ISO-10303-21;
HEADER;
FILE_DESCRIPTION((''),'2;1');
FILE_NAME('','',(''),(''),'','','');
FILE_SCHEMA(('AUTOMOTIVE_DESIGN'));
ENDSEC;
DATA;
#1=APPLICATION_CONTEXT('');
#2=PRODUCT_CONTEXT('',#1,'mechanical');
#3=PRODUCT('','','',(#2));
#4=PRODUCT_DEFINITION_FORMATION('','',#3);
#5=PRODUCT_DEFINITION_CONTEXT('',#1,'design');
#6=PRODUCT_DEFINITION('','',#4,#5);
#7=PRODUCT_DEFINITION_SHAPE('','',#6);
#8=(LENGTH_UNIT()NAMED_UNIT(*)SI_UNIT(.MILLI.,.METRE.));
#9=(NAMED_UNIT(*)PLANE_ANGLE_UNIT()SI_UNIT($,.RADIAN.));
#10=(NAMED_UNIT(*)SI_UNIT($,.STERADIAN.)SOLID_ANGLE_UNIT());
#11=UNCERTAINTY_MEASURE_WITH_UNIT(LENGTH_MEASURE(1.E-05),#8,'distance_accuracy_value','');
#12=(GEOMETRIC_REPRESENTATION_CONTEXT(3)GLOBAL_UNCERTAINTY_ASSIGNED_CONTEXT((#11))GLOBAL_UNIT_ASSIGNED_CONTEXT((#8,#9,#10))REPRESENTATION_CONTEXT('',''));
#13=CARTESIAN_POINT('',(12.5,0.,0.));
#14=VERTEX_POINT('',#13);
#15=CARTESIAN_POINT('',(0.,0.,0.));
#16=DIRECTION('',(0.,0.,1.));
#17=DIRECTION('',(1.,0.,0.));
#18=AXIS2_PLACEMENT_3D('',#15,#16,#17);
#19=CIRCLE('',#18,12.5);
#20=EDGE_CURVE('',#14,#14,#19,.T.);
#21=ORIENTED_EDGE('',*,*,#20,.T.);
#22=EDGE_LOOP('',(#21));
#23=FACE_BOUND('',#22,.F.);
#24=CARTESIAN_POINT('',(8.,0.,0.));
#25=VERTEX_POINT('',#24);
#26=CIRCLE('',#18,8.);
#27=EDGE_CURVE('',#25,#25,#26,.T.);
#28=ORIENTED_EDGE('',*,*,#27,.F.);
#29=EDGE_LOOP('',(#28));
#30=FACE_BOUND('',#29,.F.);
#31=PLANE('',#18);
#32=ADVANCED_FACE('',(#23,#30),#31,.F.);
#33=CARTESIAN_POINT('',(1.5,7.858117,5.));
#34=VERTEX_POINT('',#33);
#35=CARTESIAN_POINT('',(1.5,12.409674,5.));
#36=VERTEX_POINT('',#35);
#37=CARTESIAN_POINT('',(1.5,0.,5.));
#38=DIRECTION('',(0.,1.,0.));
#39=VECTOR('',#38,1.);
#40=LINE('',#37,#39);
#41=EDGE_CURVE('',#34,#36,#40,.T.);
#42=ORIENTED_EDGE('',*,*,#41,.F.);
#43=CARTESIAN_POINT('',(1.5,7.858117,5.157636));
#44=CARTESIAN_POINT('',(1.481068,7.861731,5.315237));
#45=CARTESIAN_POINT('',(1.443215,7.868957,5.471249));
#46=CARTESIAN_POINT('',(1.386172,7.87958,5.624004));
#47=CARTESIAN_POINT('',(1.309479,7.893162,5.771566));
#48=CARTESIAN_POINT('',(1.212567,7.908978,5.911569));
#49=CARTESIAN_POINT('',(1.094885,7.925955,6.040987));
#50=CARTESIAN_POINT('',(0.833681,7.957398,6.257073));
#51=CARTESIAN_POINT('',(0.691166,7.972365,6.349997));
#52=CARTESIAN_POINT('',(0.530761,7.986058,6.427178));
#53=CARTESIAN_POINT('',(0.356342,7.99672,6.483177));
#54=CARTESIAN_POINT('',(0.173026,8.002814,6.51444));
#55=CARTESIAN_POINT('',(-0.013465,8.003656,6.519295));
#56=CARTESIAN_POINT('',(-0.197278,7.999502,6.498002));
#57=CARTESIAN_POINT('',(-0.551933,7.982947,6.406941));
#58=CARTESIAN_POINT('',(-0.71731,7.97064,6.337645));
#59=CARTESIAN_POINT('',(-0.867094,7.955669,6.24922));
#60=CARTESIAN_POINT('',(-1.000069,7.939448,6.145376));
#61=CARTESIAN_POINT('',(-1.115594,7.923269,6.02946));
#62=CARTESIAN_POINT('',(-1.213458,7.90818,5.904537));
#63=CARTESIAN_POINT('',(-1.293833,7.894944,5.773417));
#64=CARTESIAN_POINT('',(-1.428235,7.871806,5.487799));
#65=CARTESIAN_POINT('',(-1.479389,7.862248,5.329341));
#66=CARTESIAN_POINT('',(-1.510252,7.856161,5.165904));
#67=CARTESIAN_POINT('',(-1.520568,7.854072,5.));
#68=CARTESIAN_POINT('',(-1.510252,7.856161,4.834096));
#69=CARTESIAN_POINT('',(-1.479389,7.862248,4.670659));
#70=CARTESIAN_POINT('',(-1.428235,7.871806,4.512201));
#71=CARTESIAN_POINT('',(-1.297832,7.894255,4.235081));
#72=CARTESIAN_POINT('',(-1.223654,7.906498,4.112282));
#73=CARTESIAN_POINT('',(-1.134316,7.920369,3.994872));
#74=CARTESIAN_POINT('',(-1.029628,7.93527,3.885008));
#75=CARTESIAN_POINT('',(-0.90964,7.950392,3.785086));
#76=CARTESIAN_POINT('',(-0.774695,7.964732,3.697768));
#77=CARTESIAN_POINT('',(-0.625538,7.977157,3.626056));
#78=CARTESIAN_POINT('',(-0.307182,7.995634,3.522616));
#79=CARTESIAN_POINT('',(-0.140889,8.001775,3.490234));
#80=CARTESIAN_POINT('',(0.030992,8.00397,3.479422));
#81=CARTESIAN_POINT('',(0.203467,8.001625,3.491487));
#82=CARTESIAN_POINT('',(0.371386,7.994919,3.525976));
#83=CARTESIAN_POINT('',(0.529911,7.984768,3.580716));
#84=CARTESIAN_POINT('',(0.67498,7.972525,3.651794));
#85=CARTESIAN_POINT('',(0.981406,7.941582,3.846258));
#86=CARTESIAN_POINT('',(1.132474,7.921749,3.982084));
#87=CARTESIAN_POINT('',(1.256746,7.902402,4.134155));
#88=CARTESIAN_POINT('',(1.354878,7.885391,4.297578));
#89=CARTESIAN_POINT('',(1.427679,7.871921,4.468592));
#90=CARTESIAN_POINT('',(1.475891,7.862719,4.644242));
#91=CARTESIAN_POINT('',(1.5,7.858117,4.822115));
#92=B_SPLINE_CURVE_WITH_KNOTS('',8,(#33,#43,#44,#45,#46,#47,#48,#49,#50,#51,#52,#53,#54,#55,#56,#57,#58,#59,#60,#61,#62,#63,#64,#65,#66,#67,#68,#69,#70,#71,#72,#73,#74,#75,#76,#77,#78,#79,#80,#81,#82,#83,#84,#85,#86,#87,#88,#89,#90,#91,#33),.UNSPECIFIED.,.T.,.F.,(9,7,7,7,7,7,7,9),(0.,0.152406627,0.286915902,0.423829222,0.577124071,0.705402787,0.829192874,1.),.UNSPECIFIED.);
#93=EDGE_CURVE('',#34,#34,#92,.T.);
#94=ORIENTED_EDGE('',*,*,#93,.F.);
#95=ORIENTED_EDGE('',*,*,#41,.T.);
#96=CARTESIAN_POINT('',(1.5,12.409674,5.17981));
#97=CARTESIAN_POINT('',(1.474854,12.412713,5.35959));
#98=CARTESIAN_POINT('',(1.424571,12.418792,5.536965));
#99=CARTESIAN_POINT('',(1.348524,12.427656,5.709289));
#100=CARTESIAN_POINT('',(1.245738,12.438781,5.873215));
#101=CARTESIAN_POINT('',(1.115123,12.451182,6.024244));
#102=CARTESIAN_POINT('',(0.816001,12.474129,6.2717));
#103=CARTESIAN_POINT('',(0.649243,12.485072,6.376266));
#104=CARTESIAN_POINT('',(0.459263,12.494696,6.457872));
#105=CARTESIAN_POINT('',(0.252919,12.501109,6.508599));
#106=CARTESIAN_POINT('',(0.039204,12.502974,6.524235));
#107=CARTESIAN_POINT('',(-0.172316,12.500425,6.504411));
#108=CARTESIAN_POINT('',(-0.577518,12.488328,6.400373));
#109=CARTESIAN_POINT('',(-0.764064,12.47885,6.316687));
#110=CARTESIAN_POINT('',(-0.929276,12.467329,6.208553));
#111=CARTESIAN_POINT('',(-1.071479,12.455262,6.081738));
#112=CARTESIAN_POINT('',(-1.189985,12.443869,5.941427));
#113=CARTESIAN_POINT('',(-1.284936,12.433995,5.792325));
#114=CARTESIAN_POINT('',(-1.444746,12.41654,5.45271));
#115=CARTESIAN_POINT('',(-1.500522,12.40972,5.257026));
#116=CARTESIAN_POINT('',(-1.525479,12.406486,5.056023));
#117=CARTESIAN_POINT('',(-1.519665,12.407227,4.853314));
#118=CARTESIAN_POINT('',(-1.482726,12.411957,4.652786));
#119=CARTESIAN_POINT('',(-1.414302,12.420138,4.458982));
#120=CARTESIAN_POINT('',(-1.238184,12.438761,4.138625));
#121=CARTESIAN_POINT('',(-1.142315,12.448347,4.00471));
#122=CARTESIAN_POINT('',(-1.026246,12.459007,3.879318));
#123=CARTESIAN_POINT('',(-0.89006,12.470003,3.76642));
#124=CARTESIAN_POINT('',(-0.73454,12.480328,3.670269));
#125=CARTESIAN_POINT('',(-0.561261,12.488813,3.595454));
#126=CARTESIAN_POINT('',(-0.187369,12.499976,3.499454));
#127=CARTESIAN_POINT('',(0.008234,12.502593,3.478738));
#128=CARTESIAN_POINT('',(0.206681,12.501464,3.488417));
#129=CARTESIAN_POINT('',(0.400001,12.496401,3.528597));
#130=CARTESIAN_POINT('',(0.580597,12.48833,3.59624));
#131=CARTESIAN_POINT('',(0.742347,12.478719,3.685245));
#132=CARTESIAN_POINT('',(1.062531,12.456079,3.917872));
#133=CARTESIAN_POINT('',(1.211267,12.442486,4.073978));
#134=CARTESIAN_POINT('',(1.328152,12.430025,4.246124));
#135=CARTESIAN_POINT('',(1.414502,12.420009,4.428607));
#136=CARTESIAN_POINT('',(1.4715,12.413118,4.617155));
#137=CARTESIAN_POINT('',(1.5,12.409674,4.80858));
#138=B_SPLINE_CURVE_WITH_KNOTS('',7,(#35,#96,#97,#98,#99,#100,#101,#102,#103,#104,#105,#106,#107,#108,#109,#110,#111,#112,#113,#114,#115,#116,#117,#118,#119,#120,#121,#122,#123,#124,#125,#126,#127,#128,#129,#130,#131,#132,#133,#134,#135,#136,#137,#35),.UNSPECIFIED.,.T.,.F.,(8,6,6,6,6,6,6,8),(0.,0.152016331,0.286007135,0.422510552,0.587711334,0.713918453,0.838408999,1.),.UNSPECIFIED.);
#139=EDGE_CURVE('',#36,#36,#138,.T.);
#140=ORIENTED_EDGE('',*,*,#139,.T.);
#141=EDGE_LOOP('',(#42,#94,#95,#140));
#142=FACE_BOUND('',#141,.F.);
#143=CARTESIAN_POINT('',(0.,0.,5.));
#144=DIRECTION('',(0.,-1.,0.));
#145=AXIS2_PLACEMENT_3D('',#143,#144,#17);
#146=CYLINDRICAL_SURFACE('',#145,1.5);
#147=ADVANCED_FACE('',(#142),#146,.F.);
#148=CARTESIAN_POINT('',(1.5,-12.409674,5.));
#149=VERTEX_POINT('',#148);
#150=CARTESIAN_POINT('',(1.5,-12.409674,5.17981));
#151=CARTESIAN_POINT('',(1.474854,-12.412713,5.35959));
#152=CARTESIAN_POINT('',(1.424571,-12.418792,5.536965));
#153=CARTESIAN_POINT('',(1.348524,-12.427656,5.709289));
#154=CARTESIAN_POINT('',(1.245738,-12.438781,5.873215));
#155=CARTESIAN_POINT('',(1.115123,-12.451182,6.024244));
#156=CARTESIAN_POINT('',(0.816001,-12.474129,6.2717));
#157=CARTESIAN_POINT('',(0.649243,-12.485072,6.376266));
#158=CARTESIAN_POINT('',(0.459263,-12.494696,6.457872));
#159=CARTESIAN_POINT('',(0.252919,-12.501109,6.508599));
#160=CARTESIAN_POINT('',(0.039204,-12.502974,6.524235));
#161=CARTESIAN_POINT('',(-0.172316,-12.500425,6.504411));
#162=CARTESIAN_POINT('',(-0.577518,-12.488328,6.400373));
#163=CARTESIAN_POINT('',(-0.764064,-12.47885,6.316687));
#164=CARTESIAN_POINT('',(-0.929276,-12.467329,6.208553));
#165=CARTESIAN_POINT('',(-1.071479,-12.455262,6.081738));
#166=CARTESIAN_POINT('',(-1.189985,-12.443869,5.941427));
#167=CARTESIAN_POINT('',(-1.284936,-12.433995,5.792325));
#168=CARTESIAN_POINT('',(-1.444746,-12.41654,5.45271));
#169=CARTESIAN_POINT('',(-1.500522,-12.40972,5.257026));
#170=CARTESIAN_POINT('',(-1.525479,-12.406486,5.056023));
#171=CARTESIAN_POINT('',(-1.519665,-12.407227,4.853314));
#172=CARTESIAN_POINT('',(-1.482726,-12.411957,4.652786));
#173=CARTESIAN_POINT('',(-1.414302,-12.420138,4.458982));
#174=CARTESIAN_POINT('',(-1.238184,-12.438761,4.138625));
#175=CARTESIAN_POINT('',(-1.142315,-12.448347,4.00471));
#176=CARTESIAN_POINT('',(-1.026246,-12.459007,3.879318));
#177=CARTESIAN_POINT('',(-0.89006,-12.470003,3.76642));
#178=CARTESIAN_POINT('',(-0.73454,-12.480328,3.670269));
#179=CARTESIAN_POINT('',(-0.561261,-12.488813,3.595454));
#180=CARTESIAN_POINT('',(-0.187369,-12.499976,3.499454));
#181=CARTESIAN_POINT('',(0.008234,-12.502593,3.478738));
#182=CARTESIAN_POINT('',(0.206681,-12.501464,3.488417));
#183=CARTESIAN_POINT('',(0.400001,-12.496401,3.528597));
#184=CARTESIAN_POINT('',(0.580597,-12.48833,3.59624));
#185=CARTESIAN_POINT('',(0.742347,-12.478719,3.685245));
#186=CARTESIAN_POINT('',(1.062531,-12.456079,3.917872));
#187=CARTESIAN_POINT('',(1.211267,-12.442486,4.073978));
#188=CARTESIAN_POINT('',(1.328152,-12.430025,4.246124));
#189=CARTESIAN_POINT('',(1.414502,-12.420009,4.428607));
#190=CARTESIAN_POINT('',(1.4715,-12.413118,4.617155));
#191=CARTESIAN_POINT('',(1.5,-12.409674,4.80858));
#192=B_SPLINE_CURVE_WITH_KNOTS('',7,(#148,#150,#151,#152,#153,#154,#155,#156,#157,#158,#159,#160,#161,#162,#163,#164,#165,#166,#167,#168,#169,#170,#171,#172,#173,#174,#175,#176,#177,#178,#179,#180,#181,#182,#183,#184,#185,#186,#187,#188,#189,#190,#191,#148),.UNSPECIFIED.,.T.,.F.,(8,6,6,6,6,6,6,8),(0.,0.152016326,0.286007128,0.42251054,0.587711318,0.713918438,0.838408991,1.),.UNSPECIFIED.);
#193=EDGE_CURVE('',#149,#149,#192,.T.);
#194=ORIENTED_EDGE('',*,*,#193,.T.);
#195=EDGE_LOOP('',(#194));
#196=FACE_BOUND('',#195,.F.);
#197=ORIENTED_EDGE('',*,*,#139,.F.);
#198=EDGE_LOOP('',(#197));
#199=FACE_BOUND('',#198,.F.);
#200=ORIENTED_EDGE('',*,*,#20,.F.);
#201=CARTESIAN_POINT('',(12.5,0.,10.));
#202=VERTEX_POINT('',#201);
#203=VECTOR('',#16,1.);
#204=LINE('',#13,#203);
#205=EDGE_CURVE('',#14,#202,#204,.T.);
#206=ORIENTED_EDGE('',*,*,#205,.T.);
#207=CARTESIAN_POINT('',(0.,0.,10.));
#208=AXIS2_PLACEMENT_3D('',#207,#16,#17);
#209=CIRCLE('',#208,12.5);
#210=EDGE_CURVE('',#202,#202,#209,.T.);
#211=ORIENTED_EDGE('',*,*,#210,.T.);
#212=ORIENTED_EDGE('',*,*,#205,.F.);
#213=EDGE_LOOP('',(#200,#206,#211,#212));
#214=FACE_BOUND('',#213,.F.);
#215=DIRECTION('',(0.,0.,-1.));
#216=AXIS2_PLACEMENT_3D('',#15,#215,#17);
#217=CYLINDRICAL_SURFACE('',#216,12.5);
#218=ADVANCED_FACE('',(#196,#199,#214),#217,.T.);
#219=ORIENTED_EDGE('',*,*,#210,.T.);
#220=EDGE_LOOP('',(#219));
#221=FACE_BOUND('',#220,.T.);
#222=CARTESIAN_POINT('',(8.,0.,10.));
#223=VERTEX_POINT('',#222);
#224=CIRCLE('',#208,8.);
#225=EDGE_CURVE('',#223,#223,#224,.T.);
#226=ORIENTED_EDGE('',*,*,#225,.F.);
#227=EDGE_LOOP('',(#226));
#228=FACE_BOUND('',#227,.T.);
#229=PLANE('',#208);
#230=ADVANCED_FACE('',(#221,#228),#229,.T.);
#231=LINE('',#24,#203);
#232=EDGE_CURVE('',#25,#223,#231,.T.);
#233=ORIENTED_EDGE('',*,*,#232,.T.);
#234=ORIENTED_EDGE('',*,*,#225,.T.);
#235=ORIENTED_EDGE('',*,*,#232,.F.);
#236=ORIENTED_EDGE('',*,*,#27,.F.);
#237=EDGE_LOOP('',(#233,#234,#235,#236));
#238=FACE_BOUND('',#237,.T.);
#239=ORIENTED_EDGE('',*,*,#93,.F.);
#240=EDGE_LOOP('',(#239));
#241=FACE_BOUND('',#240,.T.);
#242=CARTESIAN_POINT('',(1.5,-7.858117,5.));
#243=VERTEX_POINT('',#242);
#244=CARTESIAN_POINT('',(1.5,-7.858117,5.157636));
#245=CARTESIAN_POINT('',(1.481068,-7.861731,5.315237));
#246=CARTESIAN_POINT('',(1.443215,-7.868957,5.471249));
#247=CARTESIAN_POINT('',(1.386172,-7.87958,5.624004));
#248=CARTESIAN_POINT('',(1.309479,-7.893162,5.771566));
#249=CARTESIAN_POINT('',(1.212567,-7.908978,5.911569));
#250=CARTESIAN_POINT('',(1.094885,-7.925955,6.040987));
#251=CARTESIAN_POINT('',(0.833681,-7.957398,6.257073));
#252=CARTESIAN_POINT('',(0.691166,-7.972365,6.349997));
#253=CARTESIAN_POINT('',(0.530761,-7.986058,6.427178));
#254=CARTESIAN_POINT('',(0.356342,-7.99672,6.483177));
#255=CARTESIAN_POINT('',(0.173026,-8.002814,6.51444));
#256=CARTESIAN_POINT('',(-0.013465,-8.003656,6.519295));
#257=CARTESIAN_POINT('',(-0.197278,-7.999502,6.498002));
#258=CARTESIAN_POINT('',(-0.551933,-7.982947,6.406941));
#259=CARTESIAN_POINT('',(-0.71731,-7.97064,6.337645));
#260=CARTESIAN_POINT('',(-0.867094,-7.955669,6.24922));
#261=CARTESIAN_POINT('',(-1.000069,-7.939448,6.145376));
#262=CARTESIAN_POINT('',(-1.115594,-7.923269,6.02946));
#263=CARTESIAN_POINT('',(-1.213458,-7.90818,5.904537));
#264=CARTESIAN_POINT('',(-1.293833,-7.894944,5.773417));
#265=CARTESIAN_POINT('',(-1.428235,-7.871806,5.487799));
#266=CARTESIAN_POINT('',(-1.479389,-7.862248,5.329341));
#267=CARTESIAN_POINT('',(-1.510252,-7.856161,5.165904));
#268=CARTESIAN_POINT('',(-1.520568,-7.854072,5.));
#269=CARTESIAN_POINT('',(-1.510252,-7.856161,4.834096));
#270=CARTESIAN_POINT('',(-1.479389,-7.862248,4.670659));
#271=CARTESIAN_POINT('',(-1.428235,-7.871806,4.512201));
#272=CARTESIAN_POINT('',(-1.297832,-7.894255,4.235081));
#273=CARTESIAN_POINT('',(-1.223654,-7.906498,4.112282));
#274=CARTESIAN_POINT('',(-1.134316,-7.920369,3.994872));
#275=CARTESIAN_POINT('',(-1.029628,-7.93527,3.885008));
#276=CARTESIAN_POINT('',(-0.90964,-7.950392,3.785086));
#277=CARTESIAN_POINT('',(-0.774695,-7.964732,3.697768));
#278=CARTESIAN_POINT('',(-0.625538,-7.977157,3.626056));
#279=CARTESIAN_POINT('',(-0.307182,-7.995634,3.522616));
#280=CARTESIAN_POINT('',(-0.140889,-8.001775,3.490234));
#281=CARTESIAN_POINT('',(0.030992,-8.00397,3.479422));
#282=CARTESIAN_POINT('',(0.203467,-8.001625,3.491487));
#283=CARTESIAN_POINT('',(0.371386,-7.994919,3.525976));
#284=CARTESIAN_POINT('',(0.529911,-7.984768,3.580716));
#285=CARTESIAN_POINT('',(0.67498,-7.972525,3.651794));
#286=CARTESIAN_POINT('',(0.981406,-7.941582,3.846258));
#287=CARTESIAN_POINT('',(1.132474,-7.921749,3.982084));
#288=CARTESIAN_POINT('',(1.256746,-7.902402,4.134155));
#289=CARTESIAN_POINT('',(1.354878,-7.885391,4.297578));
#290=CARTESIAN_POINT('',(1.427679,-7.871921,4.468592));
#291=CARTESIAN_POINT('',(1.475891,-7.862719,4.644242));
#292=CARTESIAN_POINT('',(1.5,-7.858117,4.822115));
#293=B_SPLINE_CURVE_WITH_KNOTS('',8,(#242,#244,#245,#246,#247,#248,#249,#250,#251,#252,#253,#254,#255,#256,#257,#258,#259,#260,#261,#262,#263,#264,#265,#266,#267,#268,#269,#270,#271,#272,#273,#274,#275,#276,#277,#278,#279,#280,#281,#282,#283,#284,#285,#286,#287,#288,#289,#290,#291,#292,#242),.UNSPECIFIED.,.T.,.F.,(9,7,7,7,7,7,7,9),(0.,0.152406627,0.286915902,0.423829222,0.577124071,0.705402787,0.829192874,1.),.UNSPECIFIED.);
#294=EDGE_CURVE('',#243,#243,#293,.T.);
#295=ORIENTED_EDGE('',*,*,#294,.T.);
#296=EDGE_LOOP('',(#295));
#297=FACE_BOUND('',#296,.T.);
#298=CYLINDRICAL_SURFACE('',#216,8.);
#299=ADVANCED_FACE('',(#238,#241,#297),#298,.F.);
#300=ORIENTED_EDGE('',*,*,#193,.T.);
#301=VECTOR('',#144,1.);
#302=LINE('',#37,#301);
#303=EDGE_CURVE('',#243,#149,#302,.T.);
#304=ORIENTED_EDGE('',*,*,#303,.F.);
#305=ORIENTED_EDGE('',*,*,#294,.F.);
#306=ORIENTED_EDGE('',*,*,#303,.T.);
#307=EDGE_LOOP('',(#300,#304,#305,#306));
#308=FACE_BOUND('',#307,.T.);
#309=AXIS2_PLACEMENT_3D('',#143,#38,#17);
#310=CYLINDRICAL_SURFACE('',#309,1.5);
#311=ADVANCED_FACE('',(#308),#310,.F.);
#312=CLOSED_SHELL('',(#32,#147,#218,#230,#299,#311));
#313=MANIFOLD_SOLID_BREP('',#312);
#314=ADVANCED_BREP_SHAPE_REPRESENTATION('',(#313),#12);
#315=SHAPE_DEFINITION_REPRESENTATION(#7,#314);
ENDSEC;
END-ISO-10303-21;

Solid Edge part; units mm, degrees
sketch "Sketch1" plane through (0, 0, 0) normal (0, 0, 1) x (1, 0, 0)
  circle A0 centre (0, 0) radius 8
  circle A1 centre (0, 0) radius 12.5
extrude "Protrusion1" add sketch "Sketch1" along normal blind 10
sketch "Sketch2" plane through (0, 0, 0) normal (0, -1, 0) x (1, 0, 0)
  circle A0 centre (0, 5) radius 1.5
extrude "ExtrudedCutout_1" cut sketch "Sketch2" along normal mid plane 253.6881
properties part number "6" material "Fe - 410 W"
